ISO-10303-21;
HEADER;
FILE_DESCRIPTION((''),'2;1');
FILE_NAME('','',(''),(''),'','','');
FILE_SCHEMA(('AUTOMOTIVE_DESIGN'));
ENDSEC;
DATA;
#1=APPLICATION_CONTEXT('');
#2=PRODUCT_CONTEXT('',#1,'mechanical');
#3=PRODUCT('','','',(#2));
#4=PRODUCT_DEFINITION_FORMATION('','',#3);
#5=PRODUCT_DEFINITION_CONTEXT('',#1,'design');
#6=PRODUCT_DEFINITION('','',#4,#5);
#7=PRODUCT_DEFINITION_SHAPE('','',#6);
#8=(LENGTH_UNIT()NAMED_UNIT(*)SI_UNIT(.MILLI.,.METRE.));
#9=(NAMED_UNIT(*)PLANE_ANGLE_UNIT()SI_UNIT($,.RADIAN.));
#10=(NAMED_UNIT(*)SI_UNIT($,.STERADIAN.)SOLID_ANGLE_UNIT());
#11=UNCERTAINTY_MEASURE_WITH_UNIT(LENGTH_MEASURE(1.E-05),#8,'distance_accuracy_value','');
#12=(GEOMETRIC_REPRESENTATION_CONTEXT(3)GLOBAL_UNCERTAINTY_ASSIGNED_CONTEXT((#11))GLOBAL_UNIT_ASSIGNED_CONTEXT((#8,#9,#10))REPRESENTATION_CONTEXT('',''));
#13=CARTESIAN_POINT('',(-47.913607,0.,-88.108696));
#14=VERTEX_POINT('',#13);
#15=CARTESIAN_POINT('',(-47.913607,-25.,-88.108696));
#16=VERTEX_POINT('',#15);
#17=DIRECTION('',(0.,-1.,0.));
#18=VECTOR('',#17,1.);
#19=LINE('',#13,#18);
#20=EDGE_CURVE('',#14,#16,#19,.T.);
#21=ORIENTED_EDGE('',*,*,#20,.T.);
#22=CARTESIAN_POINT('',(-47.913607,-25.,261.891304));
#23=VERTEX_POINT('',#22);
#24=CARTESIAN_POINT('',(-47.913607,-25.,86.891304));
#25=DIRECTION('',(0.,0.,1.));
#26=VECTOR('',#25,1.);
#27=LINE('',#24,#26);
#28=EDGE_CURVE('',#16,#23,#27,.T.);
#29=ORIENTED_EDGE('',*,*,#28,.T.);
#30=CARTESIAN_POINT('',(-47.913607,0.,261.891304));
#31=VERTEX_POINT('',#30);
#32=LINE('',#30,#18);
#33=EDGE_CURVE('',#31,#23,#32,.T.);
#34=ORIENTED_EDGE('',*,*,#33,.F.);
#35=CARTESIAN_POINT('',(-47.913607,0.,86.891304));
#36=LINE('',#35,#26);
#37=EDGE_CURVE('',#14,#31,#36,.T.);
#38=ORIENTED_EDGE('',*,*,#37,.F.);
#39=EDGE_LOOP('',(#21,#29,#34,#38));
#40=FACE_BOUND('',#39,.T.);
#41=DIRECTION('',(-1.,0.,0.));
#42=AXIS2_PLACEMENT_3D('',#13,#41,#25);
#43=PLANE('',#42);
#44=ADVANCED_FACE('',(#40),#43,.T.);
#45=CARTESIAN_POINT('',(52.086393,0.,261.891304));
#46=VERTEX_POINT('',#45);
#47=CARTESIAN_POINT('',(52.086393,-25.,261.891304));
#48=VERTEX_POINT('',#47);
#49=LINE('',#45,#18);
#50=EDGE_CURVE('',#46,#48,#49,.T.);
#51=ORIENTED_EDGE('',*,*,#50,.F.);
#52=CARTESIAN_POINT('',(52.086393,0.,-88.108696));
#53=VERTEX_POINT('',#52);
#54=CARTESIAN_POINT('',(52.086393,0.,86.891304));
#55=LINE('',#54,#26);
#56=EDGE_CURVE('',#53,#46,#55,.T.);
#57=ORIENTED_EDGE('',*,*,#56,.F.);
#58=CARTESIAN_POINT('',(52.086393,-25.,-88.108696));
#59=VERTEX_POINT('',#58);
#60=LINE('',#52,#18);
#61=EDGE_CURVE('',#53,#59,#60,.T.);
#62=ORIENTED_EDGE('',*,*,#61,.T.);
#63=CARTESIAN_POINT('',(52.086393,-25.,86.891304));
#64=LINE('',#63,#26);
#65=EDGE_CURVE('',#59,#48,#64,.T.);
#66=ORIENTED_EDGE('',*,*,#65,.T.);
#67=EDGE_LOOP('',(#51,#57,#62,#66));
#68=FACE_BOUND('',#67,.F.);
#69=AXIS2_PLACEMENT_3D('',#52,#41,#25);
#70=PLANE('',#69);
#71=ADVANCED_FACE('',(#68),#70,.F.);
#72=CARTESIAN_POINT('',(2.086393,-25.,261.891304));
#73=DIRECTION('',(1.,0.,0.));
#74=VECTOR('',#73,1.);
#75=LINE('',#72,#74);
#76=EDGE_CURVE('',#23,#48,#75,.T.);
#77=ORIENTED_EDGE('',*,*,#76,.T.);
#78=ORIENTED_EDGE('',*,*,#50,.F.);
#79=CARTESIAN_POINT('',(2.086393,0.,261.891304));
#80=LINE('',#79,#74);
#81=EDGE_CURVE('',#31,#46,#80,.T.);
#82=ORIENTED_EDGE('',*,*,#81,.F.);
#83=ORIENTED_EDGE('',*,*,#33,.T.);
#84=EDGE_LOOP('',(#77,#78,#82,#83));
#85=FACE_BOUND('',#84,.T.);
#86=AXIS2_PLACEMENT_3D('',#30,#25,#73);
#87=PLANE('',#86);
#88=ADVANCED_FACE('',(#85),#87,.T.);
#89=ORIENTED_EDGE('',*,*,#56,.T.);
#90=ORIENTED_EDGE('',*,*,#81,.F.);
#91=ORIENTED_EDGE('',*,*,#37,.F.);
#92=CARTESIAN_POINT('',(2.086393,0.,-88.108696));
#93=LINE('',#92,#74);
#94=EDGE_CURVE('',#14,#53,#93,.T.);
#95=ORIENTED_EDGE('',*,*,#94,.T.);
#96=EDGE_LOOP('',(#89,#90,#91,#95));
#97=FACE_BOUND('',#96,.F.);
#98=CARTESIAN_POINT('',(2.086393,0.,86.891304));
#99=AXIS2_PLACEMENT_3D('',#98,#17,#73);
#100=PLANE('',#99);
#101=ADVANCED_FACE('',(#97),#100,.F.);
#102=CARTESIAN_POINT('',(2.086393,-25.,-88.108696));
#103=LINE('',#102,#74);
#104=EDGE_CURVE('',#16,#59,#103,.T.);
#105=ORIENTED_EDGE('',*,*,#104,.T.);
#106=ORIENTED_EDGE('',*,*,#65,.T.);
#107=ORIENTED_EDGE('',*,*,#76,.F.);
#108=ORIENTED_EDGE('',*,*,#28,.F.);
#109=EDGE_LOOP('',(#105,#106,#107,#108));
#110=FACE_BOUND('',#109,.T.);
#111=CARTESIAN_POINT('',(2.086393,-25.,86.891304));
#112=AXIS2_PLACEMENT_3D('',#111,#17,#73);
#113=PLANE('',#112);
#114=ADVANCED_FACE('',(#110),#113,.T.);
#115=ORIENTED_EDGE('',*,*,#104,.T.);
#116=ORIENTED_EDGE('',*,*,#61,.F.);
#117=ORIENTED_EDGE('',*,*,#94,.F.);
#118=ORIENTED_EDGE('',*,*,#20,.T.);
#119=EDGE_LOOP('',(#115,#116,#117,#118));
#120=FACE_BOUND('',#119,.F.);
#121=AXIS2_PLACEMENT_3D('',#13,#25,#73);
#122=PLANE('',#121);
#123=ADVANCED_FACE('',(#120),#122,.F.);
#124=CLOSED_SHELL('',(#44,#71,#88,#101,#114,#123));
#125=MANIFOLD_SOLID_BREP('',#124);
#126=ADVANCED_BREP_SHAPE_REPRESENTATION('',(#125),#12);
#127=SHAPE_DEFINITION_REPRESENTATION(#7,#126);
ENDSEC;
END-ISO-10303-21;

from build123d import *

# Parameters (mm, degrees)
F0_W     = 100
F0_H     = 350
F1_DEPTH = 25
F2_DEPTH = 25
F3_DEPTH = 25


with BuildPart() as f1:
    # F0 (on Front) → F1 (new body)
    with BuildSketch(Plane.XZ):
        with Locations((2.086393, 86.891304)):
            Rectangle(F0_W, F0_H)
    extrude(amount=F1_DEPTH)

    # F0 (on Front) → F2 (join)
    with BuildSketch(Plane.XZ):
        with Locations((2.086393, 86.891304)):
            Rectangle(F0_W, F0_H)
    extrude(amount=F2_DEPTH)

    # F0 (on Front) → F3 (join)
    with BuildSketch(Plane.XZ):
        with Locations((2.086393, 86.891304)):
            Rectangle(F0_W, F0_H)
    extrude(amount=F3_DEPTH)


solid = f1.part
